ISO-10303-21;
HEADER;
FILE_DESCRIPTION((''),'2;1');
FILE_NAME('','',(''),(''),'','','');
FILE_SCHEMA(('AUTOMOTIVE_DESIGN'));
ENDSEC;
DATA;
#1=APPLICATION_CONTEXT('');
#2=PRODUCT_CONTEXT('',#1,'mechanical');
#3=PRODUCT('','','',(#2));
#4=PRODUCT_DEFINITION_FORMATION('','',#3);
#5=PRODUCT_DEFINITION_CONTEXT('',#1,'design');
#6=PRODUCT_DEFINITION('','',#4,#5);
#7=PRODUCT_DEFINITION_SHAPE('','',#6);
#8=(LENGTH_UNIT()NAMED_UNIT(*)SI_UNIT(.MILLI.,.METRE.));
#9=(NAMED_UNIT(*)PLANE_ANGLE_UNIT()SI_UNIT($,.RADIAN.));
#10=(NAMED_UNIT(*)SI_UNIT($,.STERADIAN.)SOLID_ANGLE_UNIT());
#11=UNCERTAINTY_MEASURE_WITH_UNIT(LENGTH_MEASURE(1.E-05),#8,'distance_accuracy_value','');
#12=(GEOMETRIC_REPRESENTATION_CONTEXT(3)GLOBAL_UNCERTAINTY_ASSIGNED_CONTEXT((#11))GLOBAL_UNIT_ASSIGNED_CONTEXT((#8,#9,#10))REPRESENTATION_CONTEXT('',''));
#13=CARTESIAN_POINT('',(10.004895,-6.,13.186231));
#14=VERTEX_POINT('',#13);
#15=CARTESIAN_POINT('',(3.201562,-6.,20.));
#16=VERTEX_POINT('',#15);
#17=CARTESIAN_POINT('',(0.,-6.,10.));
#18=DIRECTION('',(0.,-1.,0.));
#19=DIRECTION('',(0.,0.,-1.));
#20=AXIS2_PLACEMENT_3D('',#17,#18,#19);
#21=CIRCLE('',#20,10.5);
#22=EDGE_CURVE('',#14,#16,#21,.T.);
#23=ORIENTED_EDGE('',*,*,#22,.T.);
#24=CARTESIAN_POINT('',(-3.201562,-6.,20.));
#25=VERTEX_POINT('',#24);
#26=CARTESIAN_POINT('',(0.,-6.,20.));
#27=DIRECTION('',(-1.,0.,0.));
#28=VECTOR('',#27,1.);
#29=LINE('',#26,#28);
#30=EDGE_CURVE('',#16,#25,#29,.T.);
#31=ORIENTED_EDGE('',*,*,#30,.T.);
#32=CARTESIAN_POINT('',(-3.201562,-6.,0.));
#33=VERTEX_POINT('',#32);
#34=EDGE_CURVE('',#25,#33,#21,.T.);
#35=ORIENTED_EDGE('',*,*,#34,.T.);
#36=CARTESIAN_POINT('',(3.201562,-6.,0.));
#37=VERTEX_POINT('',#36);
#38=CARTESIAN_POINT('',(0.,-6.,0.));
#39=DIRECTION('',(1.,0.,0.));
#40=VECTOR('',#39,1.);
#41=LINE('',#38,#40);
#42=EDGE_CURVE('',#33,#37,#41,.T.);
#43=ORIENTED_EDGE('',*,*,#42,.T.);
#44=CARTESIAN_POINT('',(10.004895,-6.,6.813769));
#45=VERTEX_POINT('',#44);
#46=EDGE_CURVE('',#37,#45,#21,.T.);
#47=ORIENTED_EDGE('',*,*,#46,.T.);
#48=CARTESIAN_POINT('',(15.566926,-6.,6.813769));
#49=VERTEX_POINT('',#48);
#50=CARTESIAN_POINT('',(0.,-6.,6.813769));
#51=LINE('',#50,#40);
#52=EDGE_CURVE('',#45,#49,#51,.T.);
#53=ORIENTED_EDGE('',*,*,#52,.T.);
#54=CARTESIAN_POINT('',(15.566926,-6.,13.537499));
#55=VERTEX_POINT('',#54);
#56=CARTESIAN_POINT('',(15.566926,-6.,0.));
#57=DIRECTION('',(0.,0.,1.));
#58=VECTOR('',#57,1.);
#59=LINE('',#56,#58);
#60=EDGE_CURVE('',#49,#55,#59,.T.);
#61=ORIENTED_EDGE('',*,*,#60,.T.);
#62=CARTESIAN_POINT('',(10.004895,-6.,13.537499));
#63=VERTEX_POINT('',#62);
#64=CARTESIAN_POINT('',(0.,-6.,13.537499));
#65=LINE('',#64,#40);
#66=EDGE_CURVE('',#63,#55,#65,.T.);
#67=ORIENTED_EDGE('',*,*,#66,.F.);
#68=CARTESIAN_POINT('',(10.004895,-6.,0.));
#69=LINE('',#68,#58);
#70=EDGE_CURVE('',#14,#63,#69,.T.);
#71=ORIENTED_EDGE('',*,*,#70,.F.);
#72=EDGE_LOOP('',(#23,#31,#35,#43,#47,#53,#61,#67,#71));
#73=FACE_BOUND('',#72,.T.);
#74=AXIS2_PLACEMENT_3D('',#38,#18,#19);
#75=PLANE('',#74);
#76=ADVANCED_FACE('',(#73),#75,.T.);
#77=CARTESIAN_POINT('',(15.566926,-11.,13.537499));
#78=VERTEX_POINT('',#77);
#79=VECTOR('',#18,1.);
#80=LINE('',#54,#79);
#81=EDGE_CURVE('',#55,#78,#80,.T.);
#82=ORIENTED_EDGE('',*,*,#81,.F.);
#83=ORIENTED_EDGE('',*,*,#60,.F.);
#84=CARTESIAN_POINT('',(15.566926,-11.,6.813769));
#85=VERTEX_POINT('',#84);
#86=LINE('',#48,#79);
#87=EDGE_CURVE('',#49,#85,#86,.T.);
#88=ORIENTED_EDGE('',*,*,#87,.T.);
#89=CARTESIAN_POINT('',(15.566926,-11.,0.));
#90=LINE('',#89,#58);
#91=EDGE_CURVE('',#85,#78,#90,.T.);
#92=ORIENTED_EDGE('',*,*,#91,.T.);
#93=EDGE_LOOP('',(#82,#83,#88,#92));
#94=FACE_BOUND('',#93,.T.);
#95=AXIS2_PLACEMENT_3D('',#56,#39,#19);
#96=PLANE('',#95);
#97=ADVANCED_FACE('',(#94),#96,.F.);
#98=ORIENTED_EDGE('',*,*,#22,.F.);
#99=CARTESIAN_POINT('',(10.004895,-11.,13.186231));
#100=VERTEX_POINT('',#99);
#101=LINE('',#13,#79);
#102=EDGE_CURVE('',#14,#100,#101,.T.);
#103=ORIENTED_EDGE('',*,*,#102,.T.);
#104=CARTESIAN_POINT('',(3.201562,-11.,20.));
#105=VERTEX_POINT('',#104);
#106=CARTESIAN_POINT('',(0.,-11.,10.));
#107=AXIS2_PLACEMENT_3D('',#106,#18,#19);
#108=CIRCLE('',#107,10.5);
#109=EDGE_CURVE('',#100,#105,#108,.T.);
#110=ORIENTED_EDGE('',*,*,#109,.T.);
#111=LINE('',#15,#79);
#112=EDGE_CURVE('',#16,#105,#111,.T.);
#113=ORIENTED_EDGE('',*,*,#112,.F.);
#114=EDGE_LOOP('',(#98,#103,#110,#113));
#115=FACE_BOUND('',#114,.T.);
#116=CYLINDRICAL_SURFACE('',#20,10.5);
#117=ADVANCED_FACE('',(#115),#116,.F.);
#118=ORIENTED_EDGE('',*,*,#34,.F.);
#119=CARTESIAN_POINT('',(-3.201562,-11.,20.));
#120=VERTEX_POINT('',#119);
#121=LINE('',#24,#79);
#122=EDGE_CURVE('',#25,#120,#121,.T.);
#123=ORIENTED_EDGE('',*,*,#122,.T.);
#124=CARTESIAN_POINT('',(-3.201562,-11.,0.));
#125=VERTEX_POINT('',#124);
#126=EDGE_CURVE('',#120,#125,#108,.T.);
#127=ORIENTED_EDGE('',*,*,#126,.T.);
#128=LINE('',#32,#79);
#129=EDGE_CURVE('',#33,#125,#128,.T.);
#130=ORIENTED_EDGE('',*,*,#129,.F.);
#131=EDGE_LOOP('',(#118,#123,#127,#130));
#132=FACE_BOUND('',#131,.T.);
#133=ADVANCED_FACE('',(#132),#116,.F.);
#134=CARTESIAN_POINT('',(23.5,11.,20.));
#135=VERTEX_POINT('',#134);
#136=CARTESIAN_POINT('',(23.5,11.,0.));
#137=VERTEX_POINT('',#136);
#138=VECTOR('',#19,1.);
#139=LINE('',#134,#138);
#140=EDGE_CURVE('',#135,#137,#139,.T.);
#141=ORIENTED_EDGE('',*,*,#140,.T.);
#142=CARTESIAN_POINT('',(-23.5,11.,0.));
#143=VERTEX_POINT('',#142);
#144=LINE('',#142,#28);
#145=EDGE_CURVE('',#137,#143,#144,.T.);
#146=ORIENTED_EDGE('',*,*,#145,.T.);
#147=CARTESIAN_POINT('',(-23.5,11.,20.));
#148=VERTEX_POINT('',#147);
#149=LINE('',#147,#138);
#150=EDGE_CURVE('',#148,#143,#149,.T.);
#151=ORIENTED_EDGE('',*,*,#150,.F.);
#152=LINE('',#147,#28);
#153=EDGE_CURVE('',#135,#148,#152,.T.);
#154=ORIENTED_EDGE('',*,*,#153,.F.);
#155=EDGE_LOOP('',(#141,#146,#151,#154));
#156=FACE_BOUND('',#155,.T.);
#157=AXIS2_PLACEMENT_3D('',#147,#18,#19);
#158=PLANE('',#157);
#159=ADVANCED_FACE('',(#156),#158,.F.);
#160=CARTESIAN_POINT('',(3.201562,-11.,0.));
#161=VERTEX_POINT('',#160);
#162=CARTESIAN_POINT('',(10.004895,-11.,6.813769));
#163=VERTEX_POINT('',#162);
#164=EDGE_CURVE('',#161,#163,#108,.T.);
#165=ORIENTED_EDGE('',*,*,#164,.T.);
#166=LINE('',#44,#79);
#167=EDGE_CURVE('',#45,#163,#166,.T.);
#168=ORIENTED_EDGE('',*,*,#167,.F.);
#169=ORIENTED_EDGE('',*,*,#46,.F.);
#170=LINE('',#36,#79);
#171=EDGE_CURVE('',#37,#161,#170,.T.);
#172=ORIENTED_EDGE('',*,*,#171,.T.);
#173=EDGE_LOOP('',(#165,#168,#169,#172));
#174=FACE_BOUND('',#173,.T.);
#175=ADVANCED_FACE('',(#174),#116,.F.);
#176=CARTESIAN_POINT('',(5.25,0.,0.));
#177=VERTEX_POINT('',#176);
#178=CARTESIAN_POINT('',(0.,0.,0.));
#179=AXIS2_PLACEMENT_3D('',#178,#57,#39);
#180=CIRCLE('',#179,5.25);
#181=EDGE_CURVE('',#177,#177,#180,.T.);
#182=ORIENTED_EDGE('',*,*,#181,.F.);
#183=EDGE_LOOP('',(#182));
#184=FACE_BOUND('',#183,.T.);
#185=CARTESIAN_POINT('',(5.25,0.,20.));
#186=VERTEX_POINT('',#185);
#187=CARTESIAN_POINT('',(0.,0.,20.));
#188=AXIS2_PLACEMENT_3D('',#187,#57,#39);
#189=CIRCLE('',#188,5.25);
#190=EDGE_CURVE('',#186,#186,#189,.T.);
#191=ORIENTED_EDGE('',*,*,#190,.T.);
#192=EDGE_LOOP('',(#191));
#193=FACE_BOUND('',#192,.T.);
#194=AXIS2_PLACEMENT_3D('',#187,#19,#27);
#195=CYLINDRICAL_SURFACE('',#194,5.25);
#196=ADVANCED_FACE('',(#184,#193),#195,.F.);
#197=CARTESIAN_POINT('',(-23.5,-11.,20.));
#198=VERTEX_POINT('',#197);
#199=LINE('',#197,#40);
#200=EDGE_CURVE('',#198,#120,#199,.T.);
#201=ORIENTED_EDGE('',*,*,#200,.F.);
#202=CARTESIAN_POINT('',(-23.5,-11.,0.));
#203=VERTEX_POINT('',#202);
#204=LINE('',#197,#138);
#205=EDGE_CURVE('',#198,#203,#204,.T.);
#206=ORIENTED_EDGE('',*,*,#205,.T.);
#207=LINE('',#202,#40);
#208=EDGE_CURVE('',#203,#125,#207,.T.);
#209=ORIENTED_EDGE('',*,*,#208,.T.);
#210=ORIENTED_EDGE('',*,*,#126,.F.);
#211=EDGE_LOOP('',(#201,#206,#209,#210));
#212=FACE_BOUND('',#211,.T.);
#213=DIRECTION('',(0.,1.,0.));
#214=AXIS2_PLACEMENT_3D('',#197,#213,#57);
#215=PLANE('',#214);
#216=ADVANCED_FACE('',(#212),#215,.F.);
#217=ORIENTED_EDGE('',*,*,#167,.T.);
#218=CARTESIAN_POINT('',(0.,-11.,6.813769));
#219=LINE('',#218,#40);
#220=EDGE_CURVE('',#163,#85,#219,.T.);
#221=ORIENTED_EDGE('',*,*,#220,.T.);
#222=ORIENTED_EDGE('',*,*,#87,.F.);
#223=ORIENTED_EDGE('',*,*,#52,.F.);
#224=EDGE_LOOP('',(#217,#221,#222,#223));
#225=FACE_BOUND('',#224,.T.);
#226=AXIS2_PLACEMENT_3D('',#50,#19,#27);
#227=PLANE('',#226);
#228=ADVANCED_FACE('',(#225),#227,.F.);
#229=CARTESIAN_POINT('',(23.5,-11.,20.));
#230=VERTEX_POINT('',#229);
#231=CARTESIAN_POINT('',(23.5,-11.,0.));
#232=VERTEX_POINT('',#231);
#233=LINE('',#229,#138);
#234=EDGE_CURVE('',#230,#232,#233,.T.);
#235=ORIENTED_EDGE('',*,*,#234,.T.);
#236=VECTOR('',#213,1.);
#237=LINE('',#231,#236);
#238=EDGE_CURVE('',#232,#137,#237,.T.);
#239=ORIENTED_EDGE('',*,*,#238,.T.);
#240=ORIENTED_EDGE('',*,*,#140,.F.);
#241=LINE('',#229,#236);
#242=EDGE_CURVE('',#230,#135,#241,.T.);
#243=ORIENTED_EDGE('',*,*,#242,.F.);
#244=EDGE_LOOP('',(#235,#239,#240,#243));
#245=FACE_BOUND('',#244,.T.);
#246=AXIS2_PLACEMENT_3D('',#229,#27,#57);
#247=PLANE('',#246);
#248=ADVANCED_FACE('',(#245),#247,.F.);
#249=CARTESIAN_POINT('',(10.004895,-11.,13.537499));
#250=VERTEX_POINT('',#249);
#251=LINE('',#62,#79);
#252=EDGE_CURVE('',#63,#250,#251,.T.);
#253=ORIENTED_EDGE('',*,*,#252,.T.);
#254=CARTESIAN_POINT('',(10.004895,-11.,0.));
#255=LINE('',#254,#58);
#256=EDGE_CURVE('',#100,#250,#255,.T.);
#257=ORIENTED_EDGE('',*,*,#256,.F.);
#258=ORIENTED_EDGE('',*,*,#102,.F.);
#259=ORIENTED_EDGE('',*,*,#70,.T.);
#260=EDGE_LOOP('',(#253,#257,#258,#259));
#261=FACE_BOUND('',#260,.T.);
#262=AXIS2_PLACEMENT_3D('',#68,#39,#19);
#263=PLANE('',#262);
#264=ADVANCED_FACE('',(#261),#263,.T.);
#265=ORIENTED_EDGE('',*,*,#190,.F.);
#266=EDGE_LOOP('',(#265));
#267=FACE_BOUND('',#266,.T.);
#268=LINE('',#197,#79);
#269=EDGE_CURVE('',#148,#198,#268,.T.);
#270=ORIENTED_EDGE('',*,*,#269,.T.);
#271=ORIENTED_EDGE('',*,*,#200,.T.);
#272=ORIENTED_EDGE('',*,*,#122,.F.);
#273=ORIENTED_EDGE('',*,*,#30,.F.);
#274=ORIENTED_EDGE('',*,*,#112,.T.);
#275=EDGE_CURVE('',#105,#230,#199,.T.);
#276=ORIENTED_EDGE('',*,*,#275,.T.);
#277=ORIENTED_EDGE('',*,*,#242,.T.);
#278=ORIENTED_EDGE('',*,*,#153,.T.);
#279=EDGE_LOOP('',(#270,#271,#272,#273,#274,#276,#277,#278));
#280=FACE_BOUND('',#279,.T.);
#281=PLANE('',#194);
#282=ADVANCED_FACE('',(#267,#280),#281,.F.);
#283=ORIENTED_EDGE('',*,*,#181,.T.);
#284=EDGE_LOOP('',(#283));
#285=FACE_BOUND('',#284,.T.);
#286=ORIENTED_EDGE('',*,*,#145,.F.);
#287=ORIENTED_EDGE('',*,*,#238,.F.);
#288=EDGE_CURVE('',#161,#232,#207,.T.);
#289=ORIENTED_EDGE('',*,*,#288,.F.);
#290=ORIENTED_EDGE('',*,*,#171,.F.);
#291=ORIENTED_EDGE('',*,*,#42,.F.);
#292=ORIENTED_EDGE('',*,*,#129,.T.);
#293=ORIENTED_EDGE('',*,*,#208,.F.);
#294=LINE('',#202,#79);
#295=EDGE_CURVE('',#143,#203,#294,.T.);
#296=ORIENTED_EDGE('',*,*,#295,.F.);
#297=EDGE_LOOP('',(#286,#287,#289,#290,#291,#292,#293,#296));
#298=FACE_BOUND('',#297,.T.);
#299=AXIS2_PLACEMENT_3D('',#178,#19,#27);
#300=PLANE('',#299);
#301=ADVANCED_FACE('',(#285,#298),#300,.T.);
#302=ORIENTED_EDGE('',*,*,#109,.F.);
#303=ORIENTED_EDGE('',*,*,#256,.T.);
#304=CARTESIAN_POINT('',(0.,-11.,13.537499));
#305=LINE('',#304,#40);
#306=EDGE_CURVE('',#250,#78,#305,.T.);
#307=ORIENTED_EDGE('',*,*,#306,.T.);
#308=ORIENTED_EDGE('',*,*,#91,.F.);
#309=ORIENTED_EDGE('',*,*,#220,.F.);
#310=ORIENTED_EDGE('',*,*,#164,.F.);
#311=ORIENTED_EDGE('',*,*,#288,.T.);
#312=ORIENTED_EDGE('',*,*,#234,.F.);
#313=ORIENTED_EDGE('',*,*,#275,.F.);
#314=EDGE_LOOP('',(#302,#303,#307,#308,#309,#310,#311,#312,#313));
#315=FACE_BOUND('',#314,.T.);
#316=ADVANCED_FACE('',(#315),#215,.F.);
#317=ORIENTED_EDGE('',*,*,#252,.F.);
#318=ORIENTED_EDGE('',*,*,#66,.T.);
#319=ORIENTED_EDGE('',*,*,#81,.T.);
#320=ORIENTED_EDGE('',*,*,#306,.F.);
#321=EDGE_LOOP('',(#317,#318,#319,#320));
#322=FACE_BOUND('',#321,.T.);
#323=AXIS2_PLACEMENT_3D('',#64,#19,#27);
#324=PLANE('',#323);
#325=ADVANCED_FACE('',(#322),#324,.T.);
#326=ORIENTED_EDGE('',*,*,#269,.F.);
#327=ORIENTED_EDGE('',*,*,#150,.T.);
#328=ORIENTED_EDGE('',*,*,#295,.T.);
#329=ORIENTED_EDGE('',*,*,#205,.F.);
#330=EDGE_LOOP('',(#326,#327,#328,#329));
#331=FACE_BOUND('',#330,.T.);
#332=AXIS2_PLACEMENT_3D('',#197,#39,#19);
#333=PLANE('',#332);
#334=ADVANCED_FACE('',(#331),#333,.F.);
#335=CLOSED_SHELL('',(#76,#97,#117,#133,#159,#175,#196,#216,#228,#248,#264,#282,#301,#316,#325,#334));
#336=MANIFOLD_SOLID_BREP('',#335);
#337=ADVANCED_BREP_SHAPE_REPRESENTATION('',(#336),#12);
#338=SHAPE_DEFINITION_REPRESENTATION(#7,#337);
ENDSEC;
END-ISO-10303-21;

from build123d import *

# Parameters (mm, degrees)
SKETCH1_W           = 47
SKETCH1_H           = 22
SKETCH1_R           = 5.25
BOSS_EXTRUDE1_DEPTH = 20
SKETCH2_R           = 10.5
SKETCH2_W           = 5.562030484
SKETCH2_H           = 6.723730134
CUT_EXTRUDE1_DEPTH  = 5


with BuildPart() as part:
    # Sketch1 → Boss-Extrude1 (new body)
    with BuildSketch(Plane.XY):
        Rectangle(SKETCH1_W, SKETCH1_H)
        Circle(SKETCH1_R, mode=Mode.SUBTRACT)
    extrude(amount=BOSS_EXTRUDE1_DEPTH)

    # Sketch2 → Cut-Extrude1 (cut)
    with BuildSketch(Plane.XZ.offset(11)):
        with BuildLine():
            ThreePointArc((3.201562119, 0), (7.43030884, 2.581070796), (10.004895252, 6.813768529))
            Line((10.004895252, 6.813768529), (10.004895252, 13.186231471))
            ThreePointArc((10.004895252, 13.186231471), (7.43030884, 17.418929204), (3.201562119, 20))
            Line((3.201562119, 20), (-3.201562119, 20))
            ThreePointArc((-3.201562119, 20), (-10.5, 10), (-3.201562119, 0))
            Line((-3.201562119, 0), (3.201562119, 0))
        make_face()
        with Locations((0, 10)):
            Circle(SKETCH2_R)
        with Locations((12.785910494, 10.175633596)):
            Rectangle(SKETCH2_W, SKETCH2_H)
        with BuildLine():
            Line((10.004895252, 13.186231471), (10.004895252, 6.813768529))
            ThreePointArc((10.004895252, 6.813768529), (10.375485534, 8.387765549), (10.5, 10))
            ThreePointArc((10.5, 10), (10.375485534, 11.612234451), (10.004895252, 13.186231471))
        make_face()
    extrude(amount=-CUT_EXTRUDE1_DEPTH, mode=Mode.SUBTRACT)


solid = part.part
